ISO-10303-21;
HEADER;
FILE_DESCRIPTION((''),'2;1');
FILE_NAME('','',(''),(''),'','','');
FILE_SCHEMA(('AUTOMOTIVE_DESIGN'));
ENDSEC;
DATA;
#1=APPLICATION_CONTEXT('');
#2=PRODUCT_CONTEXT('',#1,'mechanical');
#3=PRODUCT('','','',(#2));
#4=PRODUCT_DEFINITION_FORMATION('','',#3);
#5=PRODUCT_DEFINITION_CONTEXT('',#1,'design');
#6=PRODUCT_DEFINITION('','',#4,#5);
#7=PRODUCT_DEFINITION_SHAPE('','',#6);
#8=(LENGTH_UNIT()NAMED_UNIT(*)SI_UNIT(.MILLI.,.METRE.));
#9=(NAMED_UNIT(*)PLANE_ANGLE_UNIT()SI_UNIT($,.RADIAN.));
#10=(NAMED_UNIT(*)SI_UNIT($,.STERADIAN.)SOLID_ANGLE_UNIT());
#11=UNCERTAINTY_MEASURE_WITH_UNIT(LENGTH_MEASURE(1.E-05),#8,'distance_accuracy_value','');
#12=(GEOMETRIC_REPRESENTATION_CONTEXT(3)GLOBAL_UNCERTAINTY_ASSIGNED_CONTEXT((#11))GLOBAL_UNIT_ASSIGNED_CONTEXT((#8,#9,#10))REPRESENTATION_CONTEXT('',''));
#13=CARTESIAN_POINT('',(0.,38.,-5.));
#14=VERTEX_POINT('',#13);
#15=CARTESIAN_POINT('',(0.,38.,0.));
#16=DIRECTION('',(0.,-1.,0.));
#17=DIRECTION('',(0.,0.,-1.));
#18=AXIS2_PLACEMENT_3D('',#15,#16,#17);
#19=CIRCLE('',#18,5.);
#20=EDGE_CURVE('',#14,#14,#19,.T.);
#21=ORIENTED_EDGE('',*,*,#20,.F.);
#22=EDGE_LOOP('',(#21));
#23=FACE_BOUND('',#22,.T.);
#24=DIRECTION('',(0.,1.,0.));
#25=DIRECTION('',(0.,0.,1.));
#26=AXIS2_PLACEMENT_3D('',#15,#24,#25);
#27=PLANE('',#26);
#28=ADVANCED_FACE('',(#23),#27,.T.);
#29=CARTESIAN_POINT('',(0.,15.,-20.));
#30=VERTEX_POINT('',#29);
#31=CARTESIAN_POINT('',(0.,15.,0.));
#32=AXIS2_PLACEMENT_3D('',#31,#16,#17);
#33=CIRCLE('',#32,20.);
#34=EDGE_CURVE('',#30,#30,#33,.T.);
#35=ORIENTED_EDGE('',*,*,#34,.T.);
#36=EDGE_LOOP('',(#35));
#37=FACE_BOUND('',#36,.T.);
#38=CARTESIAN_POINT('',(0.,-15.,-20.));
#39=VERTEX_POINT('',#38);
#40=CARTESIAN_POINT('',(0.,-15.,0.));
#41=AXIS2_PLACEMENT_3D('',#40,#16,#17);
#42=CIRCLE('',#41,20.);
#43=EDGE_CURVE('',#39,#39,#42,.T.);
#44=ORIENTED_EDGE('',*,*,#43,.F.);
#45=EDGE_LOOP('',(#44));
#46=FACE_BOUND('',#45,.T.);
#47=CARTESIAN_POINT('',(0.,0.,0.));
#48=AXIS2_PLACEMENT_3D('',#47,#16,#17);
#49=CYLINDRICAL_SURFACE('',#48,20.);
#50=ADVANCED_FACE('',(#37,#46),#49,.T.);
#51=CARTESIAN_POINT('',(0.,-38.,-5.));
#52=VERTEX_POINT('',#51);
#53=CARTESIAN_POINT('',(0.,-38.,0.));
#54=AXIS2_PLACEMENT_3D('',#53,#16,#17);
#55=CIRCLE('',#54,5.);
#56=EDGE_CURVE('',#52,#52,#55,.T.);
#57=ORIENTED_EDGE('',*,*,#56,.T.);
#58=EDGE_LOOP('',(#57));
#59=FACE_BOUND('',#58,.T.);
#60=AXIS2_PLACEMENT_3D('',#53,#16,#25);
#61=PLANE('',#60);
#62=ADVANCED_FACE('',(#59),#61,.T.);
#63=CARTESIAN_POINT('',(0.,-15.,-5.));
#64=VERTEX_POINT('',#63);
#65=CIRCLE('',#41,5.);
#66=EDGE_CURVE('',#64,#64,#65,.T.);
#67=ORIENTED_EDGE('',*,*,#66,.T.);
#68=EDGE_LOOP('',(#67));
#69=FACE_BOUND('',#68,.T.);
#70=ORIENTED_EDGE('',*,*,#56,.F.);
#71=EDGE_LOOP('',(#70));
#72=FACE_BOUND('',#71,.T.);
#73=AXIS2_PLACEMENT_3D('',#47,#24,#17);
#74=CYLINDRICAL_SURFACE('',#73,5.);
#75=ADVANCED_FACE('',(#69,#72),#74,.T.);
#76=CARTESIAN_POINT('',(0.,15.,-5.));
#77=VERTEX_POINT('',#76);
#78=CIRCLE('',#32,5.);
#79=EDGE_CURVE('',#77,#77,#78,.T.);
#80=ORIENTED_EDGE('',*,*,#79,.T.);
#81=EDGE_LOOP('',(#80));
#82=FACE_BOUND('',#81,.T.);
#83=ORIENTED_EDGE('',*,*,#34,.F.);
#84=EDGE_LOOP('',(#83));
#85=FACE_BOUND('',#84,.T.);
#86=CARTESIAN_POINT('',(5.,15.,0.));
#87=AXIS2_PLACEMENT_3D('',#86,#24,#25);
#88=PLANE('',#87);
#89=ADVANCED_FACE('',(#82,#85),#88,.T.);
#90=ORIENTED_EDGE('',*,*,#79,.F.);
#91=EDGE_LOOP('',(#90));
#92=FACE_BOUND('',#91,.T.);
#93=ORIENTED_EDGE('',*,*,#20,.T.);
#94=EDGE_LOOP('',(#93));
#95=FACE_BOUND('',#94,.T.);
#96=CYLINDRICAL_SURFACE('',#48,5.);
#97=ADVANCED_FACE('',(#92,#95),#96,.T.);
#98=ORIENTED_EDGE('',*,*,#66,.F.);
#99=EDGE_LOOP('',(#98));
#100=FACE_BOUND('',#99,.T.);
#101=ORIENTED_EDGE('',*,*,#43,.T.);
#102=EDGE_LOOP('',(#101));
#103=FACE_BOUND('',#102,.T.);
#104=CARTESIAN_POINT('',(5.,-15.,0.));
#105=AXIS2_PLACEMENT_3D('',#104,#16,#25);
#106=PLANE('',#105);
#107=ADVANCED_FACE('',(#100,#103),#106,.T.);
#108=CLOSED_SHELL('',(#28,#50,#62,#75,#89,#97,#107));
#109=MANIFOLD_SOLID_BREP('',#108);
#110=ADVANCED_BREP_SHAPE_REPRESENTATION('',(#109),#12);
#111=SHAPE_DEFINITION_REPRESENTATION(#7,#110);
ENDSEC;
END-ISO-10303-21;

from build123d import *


with BuildPart() as part:
    # Sketch1 → Revolve1 (revolve)
    with BuildSketch(Plane.XY):
        Polygon((0, 38), (5, 38), (5, 15), (20, 15), (20, 0), (0, 0), align=None)
    revolve1 = revolve(axis=Axis((0, 0, 0), (0, 1, 0)))

    # Mirror1: Revolve1 across plane
    add(revolve1.mirror(Plane(origin=(20, 0, 0), x_dir=(0, 0, 1), z_dir=(0, -1, 0))))


solid = part.part
